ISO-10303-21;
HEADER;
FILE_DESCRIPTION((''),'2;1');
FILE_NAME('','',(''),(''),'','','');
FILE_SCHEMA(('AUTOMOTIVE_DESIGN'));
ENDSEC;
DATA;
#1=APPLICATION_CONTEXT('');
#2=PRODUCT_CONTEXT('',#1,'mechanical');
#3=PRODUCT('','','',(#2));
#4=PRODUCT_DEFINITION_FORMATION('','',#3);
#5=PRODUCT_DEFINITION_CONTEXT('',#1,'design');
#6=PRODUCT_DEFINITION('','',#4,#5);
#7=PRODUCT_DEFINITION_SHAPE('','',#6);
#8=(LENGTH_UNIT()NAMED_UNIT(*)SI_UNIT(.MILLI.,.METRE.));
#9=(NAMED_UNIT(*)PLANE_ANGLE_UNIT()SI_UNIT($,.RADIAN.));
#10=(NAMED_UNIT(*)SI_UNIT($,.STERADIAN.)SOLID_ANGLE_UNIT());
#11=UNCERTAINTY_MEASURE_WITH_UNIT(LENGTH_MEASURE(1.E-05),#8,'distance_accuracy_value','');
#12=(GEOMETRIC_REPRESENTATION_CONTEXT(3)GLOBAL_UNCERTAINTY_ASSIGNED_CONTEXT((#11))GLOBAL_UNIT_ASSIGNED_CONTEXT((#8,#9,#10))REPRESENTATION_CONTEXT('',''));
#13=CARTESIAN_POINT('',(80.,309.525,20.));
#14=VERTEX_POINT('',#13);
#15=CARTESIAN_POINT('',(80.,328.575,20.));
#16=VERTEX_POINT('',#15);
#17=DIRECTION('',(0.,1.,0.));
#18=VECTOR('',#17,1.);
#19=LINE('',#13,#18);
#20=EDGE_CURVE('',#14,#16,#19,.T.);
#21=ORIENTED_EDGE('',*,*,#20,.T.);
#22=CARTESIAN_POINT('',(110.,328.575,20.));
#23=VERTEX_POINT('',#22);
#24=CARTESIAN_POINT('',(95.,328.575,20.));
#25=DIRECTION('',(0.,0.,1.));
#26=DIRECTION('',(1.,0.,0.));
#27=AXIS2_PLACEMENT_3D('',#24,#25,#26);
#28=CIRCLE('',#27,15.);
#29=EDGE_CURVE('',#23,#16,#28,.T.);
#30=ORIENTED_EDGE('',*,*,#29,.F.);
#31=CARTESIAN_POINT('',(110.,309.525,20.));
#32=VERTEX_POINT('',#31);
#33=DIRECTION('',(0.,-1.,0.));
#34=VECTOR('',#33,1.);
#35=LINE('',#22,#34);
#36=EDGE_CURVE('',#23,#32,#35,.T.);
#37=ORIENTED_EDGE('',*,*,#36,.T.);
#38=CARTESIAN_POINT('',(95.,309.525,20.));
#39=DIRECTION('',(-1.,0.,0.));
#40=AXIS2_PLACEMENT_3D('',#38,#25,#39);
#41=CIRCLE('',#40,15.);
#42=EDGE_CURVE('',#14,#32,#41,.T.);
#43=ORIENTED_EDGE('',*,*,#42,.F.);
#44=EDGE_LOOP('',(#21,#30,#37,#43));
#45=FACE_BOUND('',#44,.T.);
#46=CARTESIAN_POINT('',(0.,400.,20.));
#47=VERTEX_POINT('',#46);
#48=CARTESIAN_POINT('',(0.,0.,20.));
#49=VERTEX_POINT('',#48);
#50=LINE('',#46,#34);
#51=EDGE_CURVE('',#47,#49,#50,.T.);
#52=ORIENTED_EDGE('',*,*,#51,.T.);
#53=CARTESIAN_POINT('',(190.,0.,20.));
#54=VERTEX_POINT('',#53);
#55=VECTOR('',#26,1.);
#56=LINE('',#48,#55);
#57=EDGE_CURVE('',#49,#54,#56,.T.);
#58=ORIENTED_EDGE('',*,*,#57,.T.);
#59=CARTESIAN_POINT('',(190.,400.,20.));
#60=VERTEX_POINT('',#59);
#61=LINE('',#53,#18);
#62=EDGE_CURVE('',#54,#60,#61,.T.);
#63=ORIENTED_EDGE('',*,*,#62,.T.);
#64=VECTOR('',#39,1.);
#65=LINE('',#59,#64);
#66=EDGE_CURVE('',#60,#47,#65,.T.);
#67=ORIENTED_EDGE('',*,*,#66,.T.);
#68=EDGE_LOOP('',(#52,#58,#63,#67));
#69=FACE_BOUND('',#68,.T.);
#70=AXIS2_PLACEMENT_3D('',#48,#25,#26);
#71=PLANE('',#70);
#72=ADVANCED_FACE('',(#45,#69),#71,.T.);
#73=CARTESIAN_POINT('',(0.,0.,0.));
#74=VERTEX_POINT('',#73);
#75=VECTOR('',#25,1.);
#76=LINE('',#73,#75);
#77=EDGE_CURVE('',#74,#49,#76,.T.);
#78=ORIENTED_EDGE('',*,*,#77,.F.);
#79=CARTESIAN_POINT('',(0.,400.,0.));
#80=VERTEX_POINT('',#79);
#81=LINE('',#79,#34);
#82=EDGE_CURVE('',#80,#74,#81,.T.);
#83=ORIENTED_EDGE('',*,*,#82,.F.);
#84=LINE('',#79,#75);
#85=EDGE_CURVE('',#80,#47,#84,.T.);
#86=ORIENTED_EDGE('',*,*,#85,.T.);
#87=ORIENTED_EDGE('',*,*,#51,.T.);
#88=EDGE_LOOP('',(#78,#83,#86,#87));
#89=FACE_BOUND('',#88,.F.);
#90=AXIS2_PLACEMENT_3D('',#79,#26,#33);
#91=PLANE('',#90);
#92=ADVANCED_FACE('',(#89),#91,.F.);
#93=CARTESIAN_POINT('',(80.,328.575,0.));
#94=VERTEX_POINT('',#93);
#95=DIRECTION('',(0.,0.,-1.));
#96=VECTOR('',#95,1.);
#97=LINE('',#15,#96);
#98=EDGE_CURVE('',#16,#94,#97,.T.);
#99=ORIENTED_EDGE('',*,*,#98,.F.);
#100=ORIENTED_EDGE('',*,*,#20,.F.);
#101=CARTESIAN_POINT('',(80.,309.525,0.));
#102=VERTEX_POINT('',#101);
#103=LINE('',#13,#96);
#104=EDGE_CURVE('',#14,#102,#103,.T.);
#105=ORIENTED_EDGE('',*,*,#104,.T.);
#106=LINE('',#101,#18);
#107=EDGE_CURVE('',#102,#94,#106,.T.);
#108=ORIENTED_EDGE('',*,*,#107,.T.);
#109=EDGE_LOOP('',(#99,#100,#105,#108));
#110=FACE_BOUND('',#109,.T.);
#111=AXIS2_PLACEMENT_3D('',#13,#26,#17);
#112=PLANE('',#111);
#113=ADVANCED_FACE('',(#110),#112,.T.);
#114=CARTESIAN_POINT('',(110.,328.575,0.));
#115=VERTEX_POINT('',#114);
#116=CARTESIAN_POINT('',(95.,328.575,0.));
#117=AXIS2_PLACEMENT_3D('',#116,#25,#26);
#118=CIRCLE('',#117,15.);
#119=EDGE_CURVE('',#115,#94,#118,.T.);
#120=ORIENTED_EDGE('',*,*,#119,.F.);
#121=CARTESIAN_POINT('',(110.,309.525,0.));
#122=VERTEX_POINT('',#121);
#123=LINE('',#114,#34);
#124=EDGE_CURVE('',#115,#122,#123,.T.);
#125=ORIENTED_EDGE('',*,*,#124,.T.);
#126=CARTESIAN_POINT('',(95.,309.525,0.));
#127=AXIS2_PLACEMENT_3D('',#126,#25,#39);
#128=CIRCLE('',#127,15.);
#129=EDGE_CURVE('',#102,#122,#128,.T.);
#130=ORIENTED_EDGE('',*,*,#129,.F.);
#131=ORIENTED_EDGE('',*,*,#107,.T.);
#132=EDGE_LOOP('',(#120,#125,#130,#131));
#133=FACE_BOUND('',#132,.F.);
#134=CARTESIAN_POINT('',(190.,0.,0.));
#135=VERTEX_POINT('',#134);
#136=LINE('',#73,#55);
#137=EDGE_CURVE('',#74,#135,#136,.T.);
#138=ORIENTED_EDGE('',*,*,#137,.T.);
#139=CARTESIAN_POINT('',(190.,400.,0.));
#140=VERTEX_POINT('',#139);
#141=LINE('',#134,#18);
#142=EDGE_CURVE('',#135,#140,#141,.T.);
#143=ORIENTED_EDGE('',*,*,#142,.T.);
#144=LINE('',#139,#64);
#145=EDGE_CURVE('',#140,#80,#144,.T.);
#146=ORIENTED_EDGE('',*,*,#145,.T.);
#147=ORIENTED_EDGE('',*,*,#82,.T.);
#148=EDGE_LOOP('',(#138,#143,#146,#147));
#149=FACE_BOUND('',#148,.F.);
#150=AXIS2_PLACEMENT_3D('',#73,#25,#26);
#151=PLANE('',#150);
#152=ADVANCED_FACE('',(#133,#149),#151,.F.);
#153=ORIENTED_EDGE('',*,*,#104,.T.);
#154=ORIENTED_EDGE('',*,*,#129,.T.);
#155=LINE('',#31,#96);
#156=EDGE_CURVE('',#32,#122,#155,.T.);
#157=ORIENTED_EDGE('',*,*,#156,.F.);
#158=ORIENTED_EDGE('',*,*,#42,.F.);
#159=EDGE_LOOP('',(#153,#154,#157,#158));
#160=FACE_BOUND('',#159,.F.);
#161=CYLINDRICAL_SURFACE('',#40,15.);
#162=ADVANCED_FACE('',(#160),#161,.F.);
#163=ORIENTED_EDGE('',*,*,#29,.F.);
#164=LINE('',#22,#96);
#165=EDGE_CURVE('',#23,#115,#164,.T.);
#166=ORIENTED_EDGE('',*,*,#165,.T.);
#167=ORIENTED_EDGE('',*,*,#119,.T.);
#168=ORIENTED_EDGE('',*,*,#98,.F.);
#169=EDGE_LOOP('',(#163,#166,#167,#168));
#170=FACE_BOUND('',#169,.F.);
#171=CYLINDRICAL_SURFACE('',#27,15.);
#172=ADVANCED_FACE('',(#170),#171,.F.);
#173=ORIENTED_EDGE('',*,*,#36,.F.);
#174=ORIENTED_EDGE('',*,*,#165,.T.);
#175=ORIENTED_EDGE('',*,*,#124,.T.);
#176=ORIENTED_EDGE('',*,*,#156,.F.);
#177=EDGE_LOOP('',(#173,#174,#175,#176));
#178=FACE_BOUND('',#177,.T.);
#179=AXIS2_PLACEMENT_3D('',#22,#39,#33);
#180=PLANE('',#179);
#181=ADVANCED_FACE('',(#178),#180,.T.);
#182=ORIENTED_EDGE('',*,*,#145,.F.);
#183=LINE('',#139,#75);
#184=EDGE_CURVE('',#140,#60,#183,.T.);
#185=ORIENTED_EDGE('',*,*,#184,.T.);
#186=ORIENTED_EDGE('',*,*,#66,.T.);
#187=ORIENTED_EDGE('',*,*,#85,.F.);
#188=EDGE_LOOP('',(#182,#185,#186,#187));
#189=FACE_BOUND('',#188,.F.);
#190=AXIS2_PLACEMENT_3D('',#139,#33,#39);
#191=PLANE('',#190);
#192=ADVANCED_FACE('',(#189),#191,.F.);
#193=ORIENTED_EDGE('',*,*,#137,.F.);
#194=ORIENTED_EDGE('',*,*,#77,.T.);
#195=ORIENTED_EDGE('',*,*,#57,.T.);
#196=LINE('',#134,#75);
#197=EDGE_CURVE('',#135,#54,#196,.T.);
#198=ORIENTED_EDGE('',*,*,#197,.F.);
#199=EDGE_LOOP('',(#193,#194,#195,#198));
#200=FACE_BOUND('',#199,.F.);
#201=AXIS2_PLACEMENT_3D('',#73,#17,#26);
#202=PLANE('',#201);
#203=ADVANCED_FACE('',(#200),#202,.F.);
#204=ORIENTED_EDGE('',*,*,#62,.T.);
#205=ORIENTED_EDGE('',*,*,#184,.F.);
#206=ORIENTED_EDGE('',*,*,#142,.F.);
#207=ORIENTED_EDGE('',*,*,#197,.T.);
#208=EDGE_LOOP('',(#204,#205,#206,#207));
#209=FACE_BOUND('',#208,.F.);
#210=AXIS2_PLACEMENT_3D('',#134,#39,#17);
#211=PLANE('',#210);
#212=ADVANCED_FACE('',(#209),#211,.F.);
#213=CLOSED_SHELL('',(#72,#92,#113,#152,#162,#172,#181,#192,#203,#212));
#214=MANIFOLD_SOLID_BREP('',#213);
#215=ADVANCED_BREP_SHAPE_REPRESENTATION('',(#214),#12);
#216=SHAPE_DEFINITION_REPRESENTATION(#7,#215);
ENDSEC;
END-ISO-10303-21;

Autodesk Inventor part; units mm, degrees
ref_plane "YZ Plane" through (0, 0, 0) normal (1, 0, 0) x (0, 1, 0)
ref_plane "XZ Plane" through (0, 0, 0) normal (0, 1, 0) x (-1, 0, 0)
ref_plane "XY Plane" through (0, 0, 0) normal (0, 0, 1) x (1, 0, 0)
sketch "Sketch1" plane through (0, 0, 0) normal (0, 0, 1) x (1, 0, 0)
  line L0 (0, 0) -> (190, 0)
  line L1 (190, 0) -> (190, 400)
  line L2 (190, 400) -> (0, 400)
  line L3 (0, 400) -> (0, 0)
  dimension "d0" = 190
  dimension "d1" = 400
extrude "Extrusion1" add sketch "Sketch1" along normal blind 20
sketch "Sketch2" plane through (0, 0, 20) normal (0, 0, 1) x (1, 0, 0)
  circle A0 centre (95, 328.575) radius 5 construction
  circle A1 centre (95, 309.525) radius 5 construction
  arc A2 (110, 328.575) -> (80, 328.575) centre (95, 328.575) ccw construction
  arc A3 (80, 309.525) -> (110, 309.525) centre (95, 309.525) ccw construction
  line L0 (95, 309.525) -> (110, 309.525) construction
  line L1 (95, 309.525) -> (80, 309.525) construction
  line L2 (80, 309.525) -> (80, 328.575)
  line L3 (110, 328.575) -> (110, 309.525)
  arc A4 (110, 328.575) -> (80, 328.575) centre (95, 328.575) ccw
  arc A5 (80, 309.525) -> (110, 309.525) centre (95, 309.525) ccw
  point P0 (0, 0)
  dimension "d4" = 15
  dimension "d5" = 15
  dimension "d6" = 180
extrude "Extrusion2" cut sketch "Sketch2" against normal blind 20
equation "\"d0\" = maxw - 4 * nutdist"
equation "\"d1\" = maxh"
equation "\"d2\" = supt"
equation "\"d7\" = supt"
equation "\"maxh\" = 400"
equation "\"lcsd\" = 19.05"
equation "\"lcwd1\" = 25"
equation "\"lcwd2\" = 34"
equation "\"lch1\" = 39"
equation "\"lcwd3\" = 43"
equation "\"dia1\" = 6"
equation "\"td\" = 18"
equation "\"bhh\" = 6"
equation "\"sw\" = 25"
equation "\"sh\" = 31"
equation "\"spacert\" = 2"
equation "\"supt\" = 20"
equation "\"pvct\" = 5"
equation "\"dia3\" = 8"
equation "\"dia4\" = 11"
equation "\"tankl\" = 379"
equation "\"play\" = 9"
equation "\"holeh\" = 26"
equation "\"surroundt\" = 5"
equation "\"slack\" = 0.5"
equation "\"play2\" = 3"
equation "\"diacucl\" = 32"
equation "\"diaoverflow\" = 25"
equation "\"diawater\" = 25"
equation "\"diaph\" = 32"
equation "\"diaair\" = 32"
equation "\"diasurroundhole\" = 42"
equation "\"diagrate\" = 12"
equation "\"gratespacing\" = 12.02082"
equation "\"sidedist\" = 13.9375"
equation "\"bottomdist\" = 9.6355"
equation "\"diahcl\" = 32"
equation "\"bracketwtop\" = 6"
equation "\"bracketwbottom\" = 6"
equation "\"nett\" = 1"
equation "\"nethole\" = 16"
equation "\"nettop\" = 7"
equation "\"netside\" = 3.5"
equation "\"netholespacing\" = 2"
equation "\"diaetape\" = 32"
equation "\"maxw\" = 350"
equation "\"nutdist\" = 40"
properties part number "support plate" material "PVC-Piping"
